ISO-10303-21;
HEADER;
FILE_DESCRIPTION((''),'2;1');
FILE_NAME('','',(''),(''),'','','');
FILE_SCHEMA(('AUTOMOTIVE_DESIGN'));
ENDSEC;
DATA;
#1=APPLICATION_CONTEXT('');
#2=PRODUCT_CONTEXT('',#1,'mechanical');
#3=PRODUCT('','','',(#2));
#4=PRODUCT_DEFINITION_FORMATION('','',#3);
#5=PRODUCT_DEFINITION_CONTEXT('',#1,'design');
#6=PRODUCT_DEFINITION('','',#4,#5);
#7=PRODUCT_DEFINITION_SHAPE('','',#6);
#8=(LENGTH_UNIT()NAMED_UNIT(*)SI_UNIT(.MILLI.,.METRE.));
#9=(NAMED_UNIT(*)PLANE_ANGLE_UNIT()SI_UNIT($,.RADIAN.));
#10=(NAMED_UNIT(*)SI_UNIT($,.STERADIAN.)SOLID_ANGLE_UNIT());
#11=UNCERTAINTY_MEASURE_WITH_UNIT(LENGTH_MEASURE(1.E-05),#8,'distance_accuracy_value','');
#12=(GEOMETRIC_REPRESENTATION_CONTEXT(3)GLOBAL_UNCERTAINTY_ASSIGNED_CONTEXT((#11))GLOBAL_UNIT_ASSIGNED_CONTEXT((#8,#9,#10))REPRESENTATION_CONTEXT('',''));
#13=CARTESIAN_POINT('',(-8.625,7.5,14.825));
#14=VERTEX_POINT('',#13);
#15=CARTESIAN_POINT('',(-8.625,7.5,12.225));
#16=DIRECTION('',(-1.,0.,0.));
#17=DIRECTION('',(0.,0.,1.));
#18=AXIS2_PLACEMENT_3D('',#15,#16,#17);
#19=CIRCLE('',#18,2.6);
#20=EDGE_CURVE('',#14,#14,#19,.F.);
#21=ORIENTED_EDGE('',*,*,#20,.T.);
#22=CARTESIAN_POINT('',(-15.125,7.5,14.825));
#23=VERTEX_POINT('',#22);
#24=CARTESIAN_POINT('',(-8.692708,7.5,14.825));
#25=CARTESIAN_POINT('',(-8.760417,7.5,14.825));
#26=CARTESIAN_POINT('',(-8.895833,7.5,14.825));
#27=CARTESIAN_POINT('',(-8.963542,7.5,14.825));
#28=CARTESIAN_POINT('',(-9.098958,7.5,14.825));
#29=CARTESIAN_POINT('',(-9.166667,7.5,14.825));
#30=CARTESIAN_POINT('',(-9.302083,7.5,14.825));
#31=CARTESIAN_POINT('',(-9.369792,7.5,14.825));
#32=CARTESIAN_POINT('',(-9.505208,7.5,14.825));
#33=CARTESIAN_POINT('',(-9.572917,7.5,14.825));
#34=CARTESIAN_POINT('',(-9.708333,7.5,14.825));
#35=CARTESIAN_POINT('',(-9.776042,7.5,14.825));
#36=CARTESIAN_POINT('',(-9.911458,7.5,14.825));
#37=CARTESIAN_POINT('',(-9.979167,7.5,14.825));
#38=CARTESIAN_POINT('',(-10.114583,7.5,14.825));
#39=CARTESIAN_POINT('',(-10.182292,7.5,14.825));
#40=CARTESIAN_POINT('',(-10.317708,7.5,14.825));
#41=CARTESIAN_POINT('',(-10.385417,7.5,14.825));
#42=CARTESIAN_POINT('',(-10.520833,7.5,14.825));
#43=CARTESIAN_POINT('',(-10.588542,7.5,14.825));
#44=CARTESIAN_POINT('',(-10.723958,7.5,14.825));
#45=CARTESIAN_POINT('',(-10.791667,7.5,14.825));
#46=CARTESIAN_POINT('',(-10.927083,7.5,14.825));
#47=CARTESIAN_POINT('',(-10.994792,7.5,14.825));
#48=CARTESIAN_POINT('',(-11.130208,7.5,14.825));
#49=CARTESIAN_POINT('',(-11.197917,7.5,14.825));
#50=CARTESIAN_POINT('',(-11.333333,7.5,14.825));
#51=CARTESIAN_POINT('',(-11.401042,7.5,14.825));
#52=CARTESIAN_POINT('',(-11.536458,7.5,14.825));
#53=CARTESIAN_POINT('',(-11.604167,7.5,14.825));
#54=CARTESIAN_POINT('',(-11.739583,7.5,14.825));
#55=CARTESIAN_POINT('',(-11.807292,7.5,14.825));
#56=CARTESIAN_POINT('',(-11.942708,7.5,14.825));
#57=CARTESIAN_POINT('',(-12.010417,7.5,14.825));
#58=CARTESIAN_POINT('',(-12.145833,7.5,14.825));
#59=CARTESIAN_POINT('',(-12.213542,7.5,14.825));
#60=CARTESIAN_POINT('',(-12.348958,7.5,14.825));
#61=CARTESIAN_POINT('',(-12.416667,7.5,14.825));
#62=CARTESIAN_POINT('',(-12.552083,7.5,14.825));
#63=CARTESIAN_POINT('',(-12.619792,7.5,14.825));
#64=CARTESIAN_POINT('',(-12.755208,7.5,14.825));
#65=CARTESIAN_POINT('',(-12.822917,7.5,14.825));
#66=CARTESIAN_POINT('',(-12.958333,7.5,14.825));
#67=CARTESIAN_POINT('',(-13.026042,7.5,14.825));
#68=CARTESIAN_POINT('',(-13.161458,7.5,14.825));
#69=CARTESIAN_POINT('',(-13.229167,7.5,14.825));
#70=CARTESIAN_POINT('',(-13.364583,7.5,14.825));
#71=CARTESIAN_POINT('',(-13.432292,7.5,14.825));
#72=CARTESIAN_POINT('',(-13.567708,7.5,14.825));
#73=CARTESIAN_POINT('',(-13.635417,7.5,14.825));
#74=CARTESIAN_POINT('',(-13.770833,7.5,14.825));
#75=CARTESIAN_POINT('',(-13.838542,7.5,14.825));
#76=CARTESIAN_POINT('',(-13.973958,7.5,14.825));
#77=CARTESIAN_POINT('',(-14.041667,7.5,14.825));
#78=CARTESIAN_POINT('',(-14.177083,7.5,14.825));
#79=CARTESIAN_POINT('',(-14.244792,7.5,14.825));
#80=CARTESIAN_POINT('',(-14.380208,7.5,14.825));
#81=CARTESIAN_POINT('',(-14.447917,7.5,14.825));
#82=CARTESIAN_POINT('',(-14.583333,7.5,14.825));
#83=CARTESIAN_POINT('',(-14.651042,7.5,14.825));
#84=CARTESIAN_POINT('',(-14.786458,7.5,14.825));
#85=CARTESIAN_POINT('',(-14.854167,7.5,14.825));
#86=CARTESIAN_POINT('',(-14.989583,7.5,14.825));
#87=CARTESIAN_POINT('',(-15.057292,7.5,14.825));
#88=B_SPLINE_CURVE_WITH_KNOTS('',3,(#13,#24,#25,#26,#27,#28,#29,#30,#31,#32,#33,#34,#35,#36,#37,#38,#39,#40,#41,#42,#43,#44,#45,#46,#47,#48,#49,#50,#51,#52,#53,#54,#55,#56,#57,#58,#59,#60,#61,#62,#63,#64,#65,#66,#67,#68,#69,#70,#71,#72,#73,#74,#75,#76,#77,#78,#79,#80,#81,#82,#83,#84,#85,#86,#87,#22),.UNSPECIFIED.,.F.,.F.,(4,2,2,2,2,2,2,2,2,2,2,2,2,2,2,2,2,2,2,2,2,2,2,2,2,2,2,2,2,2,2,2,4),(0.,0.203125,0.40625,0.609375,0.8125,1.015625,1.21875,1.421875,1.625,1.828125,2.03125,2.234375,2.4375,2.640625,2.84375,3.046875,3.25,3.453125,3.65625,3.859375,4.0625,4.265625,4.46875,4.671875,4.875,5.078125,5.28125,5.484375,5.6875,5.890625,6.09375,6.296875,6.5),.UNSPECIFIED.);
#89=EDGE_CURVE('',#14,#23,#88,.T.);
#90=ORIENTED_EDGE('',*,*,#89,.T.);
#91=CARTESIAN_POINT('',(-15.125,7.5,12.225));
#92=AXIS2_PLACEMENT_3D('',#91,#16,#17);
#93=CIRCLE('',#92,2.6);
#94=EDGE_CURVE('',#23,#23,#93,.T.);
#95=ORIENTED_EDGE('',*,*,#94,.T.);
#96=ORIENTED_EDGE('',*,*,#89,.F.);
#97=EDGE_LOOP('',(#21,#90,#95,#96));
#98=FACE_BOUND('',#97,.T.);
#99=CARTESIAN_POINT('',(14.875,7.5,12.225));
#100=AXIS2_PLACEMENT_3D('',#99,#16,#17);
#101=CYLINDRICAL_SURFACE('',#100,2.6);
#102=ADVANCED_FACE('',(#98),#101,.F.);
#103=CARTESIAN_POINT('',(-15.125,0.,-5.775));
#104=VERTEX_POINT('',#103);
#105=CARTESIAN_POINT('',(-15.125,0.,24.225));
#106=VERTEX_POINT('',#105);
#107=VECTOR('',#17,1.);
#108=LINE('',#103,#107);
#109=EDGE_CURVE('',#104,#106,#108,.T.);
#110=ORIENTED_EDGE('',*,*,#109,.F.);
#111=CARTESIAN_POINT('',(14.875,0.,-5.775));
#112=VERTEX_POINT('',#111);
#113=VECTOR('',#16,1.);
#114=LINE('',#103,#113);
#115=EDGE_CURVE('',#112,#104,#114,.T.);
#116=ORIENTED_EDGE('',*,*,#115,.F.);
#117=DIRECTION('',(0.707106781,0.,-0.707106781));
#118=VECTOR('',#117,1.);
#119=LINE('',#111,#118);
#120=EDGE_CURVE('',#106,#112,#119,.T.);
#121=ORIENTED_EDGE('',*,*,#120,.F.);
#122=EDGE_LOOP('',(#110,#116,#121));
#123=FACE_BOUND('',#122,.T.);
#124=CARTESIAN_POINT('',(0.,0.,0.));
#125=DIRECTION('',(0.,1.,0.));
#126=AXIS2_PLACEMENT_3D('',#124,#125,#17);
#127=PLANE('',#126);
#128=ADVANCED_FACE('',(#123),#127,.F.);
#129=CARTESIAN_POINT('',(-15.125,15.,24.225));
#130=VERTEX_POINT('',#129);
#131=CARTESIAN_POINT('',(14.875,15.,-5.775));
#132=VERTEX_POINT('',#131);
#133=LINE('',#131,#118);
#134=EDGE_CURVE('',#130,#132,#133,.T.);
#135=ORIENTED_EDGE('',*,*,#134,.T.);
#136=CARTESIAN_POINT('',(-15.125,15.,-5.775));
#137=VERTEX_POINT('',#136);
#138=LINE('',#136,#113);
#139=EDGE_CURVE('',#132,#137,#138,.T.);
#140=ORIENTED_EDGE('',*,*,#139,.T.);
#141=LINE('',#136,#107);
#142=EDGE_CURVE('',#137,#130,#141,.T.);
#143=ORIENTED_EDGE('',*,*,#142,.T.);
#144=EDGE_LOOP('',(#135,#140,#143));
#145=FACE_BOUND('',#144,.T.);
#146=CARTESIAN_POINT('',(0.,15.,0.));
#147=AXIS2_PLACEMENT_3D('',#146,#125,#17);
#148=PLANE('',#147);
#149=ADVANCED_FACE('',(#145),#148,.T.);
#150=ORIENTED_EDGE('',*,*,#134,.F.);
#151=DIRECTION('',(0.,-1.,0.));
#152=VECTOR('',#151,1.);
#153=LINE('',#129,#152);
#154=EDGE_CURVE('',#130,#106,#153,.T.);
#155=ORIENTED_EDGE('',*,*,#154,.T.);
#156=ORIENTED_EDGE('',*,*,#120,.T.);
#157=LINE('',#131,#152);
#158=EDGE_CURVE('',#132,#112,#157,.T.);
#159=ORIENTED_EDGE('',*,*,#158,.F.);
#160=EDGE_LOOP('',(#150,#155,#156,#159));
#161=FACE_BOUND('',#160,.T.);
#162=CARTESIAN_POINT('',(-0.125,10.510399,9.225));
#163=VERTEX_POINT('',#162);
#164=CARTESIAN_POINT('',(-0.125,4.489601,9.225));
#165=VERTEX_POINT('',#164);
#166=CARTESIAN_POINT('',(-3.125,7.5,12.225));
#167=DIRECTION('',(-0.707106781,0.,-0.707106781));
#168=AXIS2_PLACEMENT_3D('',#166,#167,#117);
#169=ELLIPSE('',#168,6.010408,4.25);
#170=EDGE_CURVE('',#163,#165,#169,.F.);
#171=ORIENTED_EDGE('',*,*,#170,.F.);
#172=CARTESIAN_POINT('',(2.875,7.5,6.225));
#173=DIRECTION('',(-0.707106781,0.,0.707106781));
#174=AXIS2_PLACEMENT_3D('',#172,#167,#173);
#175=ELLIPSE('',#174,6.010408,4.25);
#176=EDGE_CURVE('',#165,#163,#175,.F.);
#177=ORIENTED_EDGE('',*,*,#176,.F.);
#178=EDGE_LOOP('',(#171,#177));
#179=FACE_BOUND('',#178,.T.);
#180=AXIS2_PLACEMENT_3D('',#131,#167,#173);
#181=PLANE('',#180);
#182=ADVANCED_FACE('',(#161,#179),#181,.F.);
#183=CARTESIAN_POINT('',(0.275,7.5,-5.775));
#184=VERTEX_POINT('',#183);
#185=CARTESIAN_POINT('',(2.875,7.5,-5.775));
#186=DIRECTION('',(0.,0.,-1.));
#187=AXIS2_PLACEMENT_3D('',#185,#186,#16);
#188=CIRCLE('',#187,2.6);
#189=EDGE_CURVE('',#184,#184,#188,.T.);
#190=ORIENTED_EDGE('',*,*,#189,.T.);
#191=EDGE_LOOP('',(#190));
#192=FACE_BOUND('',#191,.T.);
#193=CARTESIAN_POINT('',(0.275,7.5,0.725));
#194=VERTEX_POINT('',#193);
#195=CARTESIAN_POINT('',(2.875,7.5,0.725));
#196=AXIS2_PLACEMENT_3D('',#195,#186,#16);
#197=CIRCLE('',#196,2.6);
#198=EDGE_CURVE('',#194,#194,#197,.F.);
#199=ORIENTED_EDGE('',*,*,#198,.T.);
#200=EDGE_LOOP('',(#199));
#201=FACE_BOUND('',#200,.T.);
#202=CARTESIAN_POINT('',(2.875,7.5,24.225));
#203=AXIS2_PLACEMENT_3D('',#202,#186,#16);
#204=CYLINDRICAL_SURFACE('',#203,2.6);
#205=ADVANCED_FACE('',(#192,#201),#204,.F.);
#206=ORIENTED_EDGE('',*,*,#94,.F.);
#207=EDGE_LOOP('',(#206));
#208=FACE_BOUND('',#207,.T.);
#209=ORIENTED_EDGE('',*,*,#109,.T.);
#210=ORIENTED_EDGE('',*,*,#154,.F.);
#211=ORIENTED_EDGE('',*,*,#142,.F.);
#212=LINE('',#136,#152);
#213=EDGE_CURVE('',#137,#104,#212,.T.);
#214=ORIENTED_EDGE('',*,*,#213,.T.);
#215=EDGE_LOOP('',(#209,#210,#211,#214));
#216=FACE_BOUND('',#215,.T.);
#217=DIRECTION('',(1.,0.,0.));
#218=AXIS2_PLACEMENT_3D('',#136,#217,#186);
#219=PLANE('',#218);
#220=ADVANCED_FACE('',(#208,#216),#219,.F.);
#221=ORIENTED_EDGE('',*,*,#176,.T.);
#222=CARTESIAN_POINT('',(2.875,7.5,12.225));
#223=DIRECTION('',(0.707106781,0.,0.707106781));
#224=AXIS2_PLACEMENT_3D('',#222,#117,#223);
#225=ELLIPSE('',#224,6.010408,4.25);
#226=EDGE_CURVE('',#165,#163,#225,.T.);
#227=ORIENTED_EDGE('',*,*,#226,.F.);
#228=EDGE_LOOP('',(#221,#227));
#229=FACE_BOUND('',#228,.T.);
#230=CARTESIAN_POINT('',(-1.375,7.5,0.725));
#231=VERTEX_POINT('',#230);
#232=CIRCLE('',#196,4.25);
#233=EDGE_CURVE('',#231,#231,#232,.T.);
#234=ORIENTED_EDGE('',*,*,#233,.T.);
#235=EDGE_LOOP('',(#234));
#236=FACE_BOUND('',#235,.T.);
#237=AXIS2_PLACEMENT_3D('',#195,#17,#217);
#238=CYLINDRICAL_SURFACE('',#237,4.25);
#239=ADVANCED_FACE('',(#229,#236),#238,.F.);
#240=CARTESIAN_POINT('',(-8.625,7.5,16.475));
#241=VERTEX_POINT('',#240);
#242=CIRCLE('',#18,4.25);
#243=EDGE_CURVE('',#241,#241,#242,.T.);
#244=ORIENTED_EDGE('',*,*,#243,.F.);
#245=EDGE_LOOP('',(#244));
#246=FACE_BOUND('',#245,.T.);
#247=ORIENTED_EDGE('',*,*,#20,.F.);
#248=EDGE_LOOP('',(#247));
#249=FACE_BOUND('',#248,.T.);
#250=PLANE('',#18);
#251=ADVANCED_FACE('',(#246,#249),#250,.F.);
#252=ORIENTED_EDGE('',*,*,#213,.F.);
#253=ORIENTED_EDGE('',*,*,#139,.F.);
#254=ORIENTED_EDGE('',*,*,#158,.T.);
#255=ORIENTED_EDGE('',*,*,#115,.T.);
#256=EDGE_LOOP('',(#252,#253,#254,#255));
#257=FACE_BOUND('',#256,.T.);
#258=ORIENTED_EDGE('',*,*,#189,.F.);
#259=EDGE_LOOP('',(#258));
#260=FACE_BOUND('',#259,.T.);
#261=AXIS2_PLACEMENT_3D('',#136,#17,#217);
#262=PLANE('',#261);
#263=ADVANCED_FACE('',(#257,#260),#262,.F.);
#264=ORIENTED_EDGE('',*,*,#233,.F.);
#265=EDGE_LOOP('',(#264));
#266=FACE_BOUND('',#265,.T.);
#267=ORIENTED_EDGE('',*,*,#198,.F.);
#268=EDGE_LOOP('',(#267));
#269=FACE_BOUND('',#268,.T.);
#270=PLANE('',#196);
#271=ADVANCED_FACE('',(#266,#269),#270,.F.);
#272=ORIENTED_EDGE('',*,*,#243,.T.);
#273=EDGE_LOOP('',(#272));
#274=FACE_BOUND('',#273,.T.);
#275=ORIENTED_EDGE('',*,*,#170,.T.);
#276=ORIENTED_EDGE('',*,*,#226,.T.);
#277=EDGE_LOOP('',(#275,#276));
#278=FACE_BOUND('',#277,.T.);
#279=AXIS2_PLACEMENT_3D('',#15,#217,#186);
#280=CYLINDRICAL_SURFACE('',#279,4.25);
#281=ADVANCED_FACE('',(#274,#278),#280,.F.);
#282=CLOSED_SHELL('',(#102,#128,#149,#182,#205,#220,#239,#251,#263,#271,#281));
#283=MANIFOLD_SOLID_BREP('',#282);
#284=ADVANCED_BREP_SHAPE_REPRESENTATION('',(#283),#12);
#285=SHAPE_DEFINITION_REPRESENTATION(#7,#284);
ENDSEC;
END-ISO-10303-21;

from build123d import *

# Parameters (mm, degrees)
EXTRUDE_1_DEPTH          = 15
SKETCH_2_R               = 2.6
CUT_EXTRUDE_1_DEPTH      = 42.374516613
SKETCH_3_R               = 2.6
CUT_EXTRUDE_2_DEPTH      = 37.793554123
CUT_EXTRUDE_4_DEPTH      = 3.5
CUT_EXTRUDE_4_DEPTH_BACK = 14
SKETCH_5_R               = 4.25
CUT_EXTRUDE_5_DEPTH      = 3.5
CUT_EXTRUDE_5_DEPTH_BACK = 18
SKETCH_6_R               = 4.25


with BuildPart() as part:
    # 草图1 → 凸台-拉伸1 (new body)
    with BuildSketch(Plane(origin=(0, 0, 0), x_dir=(1, 0, 0), z_dir=(0, 1, 0))):
        Polygon((14.875, 5.775), (-15.125, -24.225), (-15.125, 5.775), align=None)
    extrude(amount=EXTRUDE_1_DEPTH)

    # 草图2 → 切除-拉伸1 (cut, through all)
    with BuildSketch(Plane.ZY.offset(15.125)):
        with Locations((12.225, 7.5)):
            Circle(SKETCH_2_R)
    extrude(amount=-CUT_EXTRUDE_1_DEPTH, mode=Mode.SUBTRACT)

    # 草图3 → 切除-拉伸2 (cut, through all)
    with BuildSketch(Plane(origin=(0, 0, -5.775), x_dir=(-1, 0, 0), z_dir=(0, 0, -1))):
        with Locations((-2.875, 7.5)):
            Circle(SKETCH_3_R)
    extrude(amount=-CUT_EXTRUDE_2_DEPTH, mode=Mode.SUBTRACT)

    # 草图5 → 切除-拉伸4 (cut, two sides: drawn at the far end of the back side and taken through both)
    with BuildSketch(Plane.ZY.offset(5.125).offset(-CUT_EXTRUDE_4_DEPTH_BACK)):
        with Locations(Location((12.225, 7.5, 0), (0, 0, 180))):
            Circle(SKETCH_5_R)
    extrude(amount=CUT_EXTRUDE_4_DEPTH + CUT_EXTRUDE_4_DEPTH_BACK, mode=Mode.SUBTRACT)

    # 草图6 → 切除-拉伸5 (cut, two sides: drawn at the far end of the back side and taken through both)
    with BuildSketch(Plane(origin=(0, 0, 4.225), x_dir=(-1, 0, 0), z_dir=(0, 0, -1)).offset(-CUT_EXTRUDE_5_DEPTH_BACK)):
        with Locations(Location((-2.875, 7.5, 0), (0, 0, 45.099127844))):
            Circle(SKETCH_6_R)
    extrude(amount=CUT_EXTRUDE_5_DEPTH + CUT_EXTRUDE_5_DEPTH_BACK, mode=Mode.SUBTRACT)


solid = part.part
